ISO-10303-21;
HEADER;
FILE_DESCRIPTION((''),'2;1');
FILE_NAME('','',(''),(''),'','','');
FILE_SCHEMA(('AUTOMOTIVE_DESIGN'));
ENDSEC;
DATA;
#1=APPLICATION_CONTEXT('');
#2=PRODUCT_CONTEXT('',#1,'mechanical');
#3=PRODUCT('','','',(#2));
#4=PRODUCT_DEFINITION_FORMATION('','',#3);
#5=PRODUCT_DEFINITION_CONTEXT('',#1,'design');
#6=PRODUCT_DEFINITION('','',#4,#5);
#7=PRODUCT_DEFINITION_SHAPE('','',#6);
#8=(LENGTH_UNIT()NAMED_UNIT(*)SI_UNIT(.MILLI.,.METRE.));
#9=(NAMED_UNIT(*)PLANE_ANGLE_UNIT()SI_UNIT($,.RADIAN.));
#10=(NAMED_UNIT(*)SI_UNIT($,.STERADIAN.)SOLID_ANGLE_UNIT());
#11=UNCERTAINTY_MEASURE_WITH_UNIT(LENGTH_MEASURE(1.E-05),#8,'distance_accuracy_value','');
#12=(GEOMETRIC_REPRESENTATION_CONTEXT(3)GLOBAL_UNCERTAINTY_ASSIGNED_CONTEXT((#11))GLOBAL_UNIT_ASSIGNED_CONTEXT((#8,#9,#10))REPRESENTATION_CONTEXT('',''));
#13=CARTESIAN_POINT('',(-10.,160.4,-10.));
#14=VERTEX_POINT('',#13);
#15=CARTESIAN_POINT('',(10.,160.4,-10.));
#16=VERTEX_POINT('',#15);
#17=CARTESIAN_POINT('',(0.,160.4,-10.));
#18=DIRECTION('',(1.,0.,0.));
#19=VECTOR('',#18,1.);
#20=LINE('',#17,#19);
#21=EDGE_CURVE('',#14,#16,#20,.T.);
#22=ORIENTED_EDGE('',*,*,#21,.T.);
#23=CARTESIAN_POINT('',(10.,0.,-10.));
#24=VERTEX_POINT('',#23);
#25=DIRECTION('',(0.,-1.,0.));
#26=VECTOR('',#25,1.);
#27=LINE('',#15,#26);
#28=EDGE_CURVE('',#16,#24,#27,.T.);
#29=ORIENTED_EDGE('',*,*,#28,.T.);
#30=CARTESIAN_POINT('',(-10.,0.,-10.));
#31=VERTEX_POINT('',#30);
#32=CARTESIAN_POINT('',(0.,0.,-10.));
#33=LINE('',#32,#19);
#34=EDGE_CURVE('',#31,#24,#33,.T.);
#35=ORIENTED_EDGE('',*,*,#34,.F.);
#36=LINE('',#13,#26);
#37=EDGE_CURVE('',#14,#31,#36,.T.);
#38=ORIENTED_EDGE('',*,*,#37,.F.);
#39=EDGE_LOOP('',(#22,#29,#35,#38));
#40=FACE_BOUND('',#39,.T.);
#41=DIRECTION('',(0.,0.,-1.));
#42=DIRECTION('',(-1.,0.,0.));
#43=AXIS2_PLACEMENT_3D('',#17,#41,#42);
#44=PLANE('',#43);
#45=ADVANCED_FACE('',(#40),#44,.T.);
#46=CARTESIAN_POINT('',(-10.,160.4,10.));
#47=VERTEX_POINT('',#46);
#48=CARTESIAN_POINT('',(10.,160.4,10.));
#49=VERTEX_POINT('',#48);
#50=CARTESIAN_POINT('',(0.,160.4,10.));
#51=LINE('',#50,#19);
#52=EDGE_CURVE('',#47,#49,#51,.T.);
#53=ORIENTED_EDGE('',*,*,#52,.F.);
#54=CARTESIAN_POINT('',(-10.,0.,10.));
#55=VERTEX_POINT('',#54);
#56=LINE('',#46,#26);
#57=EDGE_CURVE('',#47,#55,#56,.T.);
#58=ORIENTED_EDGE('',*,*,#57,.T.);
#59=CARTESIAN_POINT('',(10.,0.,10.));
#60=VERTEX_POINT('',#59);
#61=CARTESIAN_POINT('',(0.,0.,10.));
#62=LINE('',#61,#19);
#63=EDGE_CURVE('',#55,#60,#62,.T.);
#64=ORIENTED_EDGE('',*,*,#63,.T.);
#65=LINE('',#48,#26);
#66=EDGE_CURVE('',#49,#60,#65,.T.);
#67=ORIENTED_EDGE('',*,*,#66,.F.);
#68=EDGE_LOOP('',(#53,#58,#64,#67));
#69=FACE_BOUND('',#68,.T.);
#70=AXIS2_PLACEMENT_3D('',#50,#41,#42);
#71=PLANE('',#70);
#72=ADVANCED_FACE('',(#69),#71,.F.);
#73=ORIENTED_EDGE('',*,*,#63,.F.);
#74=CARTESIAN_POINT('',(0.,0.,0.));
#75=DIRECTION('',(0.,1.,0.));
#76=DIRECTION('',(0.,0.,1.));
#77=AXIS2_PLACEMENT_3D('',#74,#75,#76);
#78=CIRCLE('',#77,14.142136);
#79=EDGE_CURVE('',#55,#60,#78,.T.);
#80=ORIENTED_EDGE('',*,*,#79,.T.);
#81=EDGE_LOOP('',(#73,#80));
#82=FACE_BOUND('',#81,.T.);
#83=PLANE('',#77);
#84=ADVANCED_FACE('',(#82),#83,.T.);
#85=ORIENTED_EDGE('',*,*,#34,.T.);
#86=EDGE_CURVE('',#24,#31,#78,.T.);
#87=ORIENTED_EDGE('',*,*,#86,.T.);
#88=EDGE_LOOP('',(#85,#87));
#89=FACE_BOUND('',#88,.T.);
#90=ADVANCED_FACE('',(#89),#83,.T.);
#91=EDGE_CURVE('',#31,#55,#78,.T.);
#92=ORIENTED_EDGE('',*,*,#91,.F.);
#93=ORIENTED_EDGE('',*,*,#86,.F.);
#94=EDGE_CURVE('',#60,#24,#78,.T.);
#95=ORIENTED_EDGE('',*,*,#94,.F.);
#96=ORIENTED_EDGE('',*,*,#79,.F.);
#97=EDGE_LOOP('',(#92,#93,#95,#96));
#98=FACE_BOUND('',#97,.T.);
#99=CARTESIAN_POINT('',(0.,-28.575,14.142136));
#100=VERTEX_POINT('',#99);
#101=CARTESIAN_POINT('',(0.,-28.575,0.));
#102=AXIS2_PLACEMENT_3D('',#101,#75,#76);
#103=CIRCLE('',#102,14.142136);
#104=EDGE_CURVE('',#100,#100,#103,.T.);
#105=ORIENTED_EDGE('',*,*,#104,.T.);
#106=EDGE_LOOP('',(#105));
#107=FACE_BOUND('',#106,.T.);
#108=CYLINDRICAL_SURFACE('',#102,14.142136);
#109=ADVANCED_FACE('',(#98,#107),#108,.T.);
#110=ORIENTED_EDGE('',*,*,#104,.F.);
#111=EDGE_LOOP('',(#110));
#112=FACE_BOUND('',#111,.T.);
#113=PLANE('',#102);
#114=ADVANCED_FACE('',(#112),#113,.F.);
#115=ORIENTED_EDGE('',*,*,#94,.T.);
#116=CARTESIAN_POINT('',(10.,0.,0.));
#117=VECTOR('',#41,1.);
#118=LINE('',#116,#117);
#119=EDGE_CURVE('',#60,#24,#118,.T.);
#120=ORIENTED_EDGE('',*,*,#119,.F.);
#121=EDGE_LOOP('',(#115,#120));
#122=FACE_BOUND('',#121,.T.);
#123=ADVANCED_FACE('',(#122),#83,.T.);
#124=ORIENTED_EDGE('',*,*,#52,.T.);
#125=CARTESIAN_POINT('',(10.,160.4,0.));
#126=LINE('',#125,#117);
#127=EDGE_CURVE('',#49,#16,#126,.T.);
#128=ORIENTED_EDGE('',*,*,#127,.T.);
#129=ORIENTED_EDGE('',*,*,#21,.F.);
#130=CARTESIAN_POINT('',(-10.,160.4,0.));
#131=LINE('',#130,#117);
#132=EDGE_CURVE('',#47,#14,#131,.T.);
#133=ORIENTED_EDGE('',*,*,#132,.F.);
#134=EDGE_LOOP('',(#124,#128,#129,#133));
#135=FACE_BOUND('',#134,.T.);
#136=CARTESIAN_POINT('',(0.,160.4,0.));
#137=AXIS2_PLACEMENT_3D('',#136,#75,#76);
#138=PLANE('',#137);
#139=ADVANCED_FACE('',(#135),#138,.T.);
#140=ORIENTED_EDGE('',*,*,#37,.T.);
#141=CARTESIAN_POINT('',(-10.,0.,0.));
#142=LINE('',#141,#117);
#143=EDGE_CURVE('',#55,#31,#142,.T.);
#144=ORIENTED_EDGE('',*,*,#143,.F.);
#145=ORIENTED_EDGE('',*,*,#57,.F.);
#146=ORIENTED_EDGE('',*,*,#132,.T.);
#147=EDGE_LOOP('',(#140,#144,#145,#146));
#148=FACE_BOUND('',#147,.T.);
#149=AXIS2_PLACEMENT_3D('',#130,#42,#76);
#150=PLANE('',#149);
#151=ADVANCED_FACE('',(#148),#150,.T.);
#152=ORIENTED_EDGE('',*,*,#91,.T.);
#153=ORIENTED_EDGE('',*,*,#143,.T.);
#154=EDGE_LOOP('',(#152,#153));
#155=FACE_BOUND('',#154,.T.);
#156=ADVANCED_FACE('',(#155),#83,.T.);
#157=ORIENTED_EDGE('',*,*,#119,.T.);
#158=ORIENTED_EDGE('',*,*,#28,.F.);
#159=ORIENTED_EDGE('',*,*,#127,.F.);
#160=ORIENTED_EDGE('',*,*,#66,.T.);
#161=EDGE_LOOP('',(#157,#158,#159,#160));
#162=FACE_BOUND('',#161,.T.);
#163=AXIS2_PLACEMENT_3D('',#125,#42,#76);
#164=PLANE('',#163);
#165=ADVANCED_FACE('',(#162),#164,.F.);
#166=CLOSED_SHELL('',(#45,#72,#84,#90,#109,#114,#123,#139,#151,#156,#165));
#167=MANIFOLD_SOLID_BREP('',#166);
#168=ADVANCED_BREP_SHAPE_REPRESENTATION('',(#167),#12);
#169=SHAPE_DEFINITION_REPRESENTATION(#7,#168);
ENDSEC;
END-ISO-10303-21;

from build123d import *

# Parameters (mm, degrees)
SKETCH1_W           = 20
SKETCH1_H           = 20
BOSS_EXTRUDE2_DEPTH = 160.4
SKETCH1_3_W         = 20
SKETCH1_3_H         = 20
BOSS_EXTRUDE3_DEPTH = 28.575


with BuildPart() as part:
    # Sketch1 → Boss-Extrude2 (new body)
    with BuildSketch(Plane(origin=(0, 0, 0), x_dir=(1, 0, 0), z_dir=(0, 1, 0))):
        Rectangle(SKETCH1_W, SKETCH1_H)
    extrude(amount=BOSS_EXTRUDE2_DEPTH)

    # Sketch1_3 → Boss-Extrude3 (add)
    with BuildSketch(Plane(origin=(0, 0, 0), x_dir=(1, 0, 0), z_dir=(0, 1, 0))):
        with BuildLine():
            Line((10, -10), (-10, -10))
            ThreePointArc((-10, -10), (0, -14.142135624), (10, -10))
        make_face()
        with BuildLine():
            ThreePointArc((-10, 10), (-14.142135624, 0), (-10, -10))
            Line((-10, -10), (-10, 10))
        make_face()
        Rectangle(SKETCH1_3_W, SKETCH1_3_H)
        with BuildLine():
            Line((10, 10), (10, -10))
            ThreePointArc((10, -10), (13.065629649, -5.411961001), (14.142135624, 0))
            ThreePointArc((14.142135624, 0), (13.065629649, 5.411961001), (10, 10))
        make_face()
        with BuildLine():
            ThreePointArc((10, 10), (0, 14.142135624), (-10, 10))
            Line((-10, 10), (10, 10))
        make_face()
    extrude(amount=-BOSS_EXTRUDE3_DEPTH)


solid = part.part
